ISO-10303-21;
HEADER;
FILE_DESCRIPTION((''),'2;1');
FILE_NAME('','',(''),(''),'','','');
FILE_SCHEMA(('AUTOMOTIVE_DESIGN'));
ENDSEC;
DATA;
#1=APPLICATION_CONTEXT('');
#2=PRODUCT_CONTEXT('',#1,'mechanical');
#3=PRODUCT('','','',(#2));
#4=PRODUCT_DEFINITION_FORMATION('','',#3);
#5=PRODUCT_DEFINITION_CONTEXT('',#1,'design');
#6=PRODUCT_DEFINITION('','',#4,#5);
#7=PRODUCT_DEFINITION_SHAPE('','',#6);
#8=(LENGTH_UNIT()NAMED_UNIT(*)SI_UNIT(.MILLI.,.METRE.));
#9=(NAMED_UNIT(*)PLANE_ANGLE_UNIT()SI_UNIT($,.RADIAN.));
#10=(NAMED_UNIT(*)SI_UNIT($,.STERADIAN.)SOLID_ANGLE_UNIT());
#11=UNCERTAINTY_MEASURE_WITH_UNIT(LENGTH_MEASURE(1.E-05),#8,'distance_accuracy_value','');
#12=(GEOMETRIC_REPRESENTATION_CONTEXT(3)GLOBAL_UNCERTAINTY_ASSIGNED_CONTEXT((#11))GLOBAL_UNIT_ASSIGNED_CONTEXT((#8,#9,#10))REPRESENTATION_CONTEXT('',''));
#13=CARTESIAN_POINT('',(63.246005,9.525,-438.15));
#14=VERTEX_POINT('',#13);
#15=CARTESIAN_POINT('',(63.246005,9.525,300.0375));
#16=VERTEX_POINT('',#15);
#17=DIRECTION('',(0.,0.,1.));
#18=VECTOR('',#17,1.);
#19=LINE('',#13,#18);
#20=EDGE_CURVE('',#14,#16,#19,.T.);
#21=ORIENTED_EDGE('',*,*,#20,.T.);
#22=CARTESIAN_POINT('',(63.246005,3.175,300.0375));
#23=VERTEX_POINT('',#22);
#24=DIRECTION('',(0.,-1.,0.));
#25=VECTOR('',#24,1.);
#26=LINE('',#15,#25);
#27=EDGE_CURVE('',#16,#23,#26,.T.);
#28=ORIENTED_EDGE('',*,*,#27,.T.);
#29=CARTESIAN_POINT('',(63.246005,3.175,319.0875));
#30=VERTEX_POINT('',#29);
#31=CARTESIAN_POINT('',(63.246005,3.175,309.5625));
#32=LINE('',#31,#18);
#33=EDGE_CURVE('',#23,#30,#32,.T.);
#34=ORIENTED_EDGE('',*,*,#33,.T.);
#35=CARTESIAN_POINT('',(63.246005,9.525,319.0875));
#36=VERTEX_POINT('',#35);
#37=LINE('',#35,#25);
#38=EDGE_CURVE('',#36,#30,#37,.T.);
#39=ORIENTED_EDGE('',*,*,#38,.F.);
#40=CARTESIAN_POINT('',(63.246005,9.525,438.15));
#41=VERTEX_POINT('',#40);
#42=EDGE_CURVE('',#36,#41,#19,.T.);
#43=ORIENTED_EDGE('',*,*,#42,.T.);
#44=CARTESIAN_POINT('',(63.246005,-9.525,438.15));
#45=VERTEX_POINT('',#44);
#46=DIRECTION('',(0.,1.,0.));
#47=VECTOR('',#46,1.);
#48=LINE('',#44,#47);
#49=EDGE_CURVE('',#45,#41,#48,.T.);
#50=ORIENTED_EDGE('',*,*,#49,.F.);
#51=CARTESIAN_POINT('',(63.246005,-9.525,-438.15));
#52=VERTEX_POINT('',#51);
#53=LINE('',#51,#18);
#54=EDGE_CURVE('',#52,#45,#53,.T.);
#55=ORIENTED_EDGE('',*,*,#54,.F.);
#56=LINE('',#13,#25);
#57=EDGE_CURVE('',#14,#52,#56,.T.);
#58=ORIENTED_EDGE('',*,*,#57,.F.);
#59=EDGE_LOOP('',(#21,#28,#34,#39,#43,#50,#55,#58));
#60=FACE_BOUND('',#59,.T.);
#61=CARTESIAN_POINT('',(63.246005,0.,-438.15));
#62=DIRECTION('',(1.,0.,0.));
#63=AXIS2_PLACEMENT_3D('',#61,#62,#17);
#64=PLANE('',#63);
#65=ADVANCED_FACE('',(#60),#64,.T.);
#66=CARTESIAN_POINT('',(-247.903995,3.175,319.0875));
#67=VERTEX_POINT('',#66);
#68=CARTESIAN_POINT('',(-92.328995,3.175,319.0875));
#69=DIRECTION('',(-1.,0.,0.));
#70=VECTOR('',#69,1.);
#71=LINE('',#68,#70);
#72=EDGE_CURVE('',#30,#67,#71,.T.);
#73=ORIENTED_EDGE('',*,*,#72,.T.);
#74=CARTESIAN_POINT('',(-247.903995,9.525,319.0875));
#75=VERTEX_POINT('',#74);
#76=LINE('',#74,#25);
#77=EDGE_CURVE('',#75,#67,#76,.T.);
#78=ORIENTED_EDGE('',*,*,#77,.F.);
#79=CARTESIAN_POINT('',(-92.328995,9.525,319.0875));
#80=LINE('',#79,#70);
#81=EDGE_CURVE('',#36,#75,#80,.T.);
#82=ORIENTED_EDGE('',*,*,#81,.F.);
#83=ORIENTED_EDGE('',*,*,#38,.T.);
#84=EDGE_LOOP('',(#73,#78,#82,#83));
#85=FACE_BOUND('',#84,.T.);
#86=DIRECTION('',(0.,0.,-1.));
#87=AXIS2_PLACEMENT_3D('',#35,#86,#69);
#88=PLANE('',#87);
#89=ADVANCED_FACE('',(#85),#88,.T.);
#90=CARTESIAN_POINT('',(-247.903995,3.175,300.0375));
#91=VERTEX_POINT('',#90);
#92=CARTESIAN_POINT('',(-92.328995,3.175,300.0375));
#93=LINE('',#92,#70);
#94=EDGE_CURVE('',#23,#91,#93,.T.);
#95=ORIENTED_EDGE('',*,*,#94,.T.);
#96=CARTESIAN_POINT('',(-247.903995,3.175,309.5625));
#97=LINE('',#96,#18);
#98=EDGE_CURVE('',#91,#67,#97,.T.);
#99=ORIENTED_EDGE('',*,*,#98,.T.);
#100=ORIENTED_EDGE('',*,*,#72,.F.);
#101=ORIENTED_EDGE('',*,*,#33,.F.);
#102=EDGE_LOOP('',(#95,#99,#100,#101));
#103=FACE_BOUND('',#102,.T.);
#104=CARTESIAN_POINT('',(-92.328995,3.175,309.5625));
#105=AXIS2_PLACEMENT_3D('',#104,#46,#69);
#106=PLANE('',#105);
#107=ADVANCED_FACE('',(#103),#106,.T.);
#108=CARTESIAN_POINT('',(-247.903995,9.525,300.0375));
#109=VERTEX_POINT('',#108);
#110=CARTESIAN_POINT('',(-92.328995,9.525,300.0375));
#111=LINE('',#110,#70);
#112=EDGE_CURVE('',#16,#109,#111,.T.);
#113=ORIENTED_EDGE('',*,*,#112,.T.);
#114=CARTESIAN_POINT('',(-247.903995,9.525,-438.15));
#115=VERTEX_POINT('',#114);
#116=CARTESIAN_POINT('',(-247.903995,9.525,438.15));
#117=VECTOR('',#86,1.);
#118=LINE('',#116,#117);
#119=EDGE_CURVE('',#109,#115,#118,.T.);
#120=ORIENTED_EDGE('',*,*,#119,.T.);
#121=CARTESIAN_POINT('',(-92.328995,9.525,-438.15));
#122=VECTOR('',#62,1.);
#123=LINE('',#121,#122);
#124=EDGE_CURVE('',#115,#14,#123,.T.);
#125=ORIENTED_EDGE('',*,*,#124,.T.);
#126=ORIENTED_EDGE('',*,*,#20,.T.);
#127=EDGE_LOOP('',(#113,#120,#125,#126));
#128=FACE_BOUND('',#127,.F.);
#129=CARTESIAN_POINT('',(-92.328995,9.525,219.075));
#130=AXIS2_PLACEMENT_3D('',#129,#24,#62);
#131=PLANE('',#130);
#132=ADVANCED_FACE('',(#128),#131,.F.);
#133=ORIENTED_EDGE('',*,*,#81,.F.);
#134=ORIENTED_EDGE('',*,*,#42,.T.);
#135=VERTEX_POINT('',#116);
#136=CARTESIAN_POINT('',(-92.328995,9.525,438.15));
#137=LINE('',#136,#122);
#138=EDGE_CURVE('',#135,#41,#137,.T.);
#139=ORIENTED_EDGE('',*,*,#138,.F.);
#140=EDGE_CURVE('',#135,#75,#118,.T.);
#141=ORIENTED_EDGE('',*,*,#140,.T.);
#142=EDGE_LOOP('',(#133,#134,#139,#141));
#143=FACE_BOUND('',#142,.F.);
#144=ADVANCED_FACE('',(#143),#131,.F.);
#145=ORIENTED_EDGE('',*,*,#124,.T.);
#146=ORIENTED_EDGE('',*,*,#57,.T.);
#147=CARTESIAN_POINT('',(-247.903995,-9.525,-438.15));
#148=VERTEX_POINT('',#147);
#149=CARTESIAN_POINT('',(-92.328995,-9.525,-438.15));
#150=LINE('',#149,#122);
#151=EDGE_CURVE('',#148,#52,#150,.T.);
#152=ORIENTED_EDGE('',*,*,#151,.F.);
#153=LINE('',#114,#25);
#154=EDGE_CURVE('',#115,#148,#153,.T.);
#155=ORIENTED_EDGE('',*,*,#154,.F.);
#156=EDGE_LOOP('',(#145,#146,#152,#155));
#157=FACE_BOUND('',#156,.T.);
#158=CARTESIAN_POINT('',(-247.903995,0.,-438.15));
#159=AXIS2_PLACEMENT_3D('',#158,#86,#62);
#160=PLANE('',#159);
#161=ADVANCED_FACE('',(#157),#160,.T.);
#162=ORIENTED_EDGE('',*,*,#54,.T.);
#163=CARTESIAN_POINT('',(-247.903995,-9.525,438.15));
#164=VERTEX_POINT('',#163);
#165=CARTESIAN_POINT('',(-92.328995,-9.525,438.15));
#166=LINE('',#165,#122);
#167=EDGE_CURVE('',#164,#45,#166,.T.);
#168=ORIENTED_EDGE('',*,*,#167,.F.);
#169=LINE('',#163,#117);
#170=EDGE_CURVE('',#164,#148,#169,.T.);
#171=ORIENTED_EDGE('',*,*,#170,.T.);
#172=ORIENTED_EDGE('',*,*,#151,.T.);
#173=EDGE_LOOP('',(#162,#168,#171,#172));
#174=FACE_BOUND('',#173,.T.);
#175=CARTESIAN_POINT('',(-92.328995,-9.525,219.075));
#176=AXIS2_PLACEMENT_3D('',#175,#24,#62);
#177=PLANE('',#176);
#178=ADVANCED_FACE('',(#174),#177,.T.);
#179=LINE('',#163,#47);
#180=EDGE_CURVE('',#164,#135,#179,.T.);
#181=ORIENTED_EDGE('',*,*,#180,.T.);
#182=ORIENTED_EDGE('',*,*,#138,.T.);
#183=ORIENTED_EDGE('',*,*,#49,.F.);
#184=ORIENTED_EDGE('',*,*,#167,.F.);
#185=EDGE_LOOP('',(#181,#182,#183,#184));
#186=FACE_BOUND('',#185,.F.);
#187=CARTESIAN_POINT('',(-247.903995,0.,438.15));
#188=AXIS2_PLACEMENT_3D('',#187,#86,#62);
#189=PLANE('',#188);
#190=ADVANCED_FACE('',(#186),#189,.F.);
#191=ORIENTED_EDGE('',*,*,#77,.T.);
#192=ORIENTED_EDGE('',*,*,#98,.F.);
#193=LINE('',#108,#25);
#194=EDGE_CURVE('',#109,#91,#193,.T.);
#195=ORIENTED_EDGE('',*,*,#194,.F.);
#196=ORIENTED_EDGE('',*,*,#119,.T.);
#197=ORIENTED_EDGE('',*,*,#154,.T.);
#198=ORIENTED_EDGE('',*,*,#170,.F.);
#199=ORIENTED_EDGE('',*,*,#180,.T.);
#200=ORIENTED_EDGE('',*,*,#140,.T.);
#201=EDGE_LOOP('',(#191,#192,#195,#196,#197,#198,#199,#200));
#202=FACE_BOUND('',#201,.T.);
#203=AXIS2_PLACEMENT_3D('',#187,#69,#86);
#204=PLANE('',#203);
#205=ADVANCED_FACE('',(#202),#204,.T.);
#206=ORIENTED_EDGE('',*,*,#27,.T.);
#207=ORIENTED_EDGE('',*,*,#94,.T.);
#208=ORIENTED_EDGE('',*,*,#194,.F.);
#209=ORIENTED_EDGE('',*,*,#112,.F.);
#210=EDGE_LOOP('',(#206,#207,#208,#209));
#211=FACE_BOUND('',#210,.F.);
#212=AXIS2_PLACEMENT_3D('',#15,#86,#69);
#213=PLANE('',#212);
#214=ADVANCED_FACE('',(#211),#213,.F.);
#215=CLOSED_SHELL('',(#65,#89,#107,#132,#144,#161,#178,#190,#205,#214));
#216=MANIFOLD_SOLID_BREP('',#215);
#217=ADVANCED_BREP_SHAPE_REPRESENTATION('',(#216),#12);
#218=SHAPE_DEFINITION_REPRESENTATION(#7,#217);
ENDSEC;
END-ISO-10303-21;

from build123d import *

# Parameters (mm, degrees)
F0_W     = 311.15
F0_H     = 438.15
F1_DEPTH = 9.525
F2_W     = 311.15
F2_H     = 19.05
F3_DEPTH = 6.35


with BuildPart() as f1:
    # F0 (on Front) → F1 (new body, symmetric)
    with BuildSketch(Plane.XZ):
        with Locations((-92.3289953259, 219.075)):
            Rectangle(F0_W, F0_H)
        with Locations((-92.3289953259, -219.075)):
            Rectangle(F0_W, F0_H)
    extrude(amount=F1_DEPTH, both=True)

    # F2 (on face) → F3 (cut)
    with BuildSketch(Plane(origin=(0, 9.525, 0), x_dir=(-1, 0, 0), z_dir=(0, 1, 0))):
        with Locations((92.3289953259, 309.5625)):
            Rectangle(F2_W, F2_H)
    extrude(amount=-F3_DEPTH, mode=Mode.SUBTRACT)


solid = f1.part
